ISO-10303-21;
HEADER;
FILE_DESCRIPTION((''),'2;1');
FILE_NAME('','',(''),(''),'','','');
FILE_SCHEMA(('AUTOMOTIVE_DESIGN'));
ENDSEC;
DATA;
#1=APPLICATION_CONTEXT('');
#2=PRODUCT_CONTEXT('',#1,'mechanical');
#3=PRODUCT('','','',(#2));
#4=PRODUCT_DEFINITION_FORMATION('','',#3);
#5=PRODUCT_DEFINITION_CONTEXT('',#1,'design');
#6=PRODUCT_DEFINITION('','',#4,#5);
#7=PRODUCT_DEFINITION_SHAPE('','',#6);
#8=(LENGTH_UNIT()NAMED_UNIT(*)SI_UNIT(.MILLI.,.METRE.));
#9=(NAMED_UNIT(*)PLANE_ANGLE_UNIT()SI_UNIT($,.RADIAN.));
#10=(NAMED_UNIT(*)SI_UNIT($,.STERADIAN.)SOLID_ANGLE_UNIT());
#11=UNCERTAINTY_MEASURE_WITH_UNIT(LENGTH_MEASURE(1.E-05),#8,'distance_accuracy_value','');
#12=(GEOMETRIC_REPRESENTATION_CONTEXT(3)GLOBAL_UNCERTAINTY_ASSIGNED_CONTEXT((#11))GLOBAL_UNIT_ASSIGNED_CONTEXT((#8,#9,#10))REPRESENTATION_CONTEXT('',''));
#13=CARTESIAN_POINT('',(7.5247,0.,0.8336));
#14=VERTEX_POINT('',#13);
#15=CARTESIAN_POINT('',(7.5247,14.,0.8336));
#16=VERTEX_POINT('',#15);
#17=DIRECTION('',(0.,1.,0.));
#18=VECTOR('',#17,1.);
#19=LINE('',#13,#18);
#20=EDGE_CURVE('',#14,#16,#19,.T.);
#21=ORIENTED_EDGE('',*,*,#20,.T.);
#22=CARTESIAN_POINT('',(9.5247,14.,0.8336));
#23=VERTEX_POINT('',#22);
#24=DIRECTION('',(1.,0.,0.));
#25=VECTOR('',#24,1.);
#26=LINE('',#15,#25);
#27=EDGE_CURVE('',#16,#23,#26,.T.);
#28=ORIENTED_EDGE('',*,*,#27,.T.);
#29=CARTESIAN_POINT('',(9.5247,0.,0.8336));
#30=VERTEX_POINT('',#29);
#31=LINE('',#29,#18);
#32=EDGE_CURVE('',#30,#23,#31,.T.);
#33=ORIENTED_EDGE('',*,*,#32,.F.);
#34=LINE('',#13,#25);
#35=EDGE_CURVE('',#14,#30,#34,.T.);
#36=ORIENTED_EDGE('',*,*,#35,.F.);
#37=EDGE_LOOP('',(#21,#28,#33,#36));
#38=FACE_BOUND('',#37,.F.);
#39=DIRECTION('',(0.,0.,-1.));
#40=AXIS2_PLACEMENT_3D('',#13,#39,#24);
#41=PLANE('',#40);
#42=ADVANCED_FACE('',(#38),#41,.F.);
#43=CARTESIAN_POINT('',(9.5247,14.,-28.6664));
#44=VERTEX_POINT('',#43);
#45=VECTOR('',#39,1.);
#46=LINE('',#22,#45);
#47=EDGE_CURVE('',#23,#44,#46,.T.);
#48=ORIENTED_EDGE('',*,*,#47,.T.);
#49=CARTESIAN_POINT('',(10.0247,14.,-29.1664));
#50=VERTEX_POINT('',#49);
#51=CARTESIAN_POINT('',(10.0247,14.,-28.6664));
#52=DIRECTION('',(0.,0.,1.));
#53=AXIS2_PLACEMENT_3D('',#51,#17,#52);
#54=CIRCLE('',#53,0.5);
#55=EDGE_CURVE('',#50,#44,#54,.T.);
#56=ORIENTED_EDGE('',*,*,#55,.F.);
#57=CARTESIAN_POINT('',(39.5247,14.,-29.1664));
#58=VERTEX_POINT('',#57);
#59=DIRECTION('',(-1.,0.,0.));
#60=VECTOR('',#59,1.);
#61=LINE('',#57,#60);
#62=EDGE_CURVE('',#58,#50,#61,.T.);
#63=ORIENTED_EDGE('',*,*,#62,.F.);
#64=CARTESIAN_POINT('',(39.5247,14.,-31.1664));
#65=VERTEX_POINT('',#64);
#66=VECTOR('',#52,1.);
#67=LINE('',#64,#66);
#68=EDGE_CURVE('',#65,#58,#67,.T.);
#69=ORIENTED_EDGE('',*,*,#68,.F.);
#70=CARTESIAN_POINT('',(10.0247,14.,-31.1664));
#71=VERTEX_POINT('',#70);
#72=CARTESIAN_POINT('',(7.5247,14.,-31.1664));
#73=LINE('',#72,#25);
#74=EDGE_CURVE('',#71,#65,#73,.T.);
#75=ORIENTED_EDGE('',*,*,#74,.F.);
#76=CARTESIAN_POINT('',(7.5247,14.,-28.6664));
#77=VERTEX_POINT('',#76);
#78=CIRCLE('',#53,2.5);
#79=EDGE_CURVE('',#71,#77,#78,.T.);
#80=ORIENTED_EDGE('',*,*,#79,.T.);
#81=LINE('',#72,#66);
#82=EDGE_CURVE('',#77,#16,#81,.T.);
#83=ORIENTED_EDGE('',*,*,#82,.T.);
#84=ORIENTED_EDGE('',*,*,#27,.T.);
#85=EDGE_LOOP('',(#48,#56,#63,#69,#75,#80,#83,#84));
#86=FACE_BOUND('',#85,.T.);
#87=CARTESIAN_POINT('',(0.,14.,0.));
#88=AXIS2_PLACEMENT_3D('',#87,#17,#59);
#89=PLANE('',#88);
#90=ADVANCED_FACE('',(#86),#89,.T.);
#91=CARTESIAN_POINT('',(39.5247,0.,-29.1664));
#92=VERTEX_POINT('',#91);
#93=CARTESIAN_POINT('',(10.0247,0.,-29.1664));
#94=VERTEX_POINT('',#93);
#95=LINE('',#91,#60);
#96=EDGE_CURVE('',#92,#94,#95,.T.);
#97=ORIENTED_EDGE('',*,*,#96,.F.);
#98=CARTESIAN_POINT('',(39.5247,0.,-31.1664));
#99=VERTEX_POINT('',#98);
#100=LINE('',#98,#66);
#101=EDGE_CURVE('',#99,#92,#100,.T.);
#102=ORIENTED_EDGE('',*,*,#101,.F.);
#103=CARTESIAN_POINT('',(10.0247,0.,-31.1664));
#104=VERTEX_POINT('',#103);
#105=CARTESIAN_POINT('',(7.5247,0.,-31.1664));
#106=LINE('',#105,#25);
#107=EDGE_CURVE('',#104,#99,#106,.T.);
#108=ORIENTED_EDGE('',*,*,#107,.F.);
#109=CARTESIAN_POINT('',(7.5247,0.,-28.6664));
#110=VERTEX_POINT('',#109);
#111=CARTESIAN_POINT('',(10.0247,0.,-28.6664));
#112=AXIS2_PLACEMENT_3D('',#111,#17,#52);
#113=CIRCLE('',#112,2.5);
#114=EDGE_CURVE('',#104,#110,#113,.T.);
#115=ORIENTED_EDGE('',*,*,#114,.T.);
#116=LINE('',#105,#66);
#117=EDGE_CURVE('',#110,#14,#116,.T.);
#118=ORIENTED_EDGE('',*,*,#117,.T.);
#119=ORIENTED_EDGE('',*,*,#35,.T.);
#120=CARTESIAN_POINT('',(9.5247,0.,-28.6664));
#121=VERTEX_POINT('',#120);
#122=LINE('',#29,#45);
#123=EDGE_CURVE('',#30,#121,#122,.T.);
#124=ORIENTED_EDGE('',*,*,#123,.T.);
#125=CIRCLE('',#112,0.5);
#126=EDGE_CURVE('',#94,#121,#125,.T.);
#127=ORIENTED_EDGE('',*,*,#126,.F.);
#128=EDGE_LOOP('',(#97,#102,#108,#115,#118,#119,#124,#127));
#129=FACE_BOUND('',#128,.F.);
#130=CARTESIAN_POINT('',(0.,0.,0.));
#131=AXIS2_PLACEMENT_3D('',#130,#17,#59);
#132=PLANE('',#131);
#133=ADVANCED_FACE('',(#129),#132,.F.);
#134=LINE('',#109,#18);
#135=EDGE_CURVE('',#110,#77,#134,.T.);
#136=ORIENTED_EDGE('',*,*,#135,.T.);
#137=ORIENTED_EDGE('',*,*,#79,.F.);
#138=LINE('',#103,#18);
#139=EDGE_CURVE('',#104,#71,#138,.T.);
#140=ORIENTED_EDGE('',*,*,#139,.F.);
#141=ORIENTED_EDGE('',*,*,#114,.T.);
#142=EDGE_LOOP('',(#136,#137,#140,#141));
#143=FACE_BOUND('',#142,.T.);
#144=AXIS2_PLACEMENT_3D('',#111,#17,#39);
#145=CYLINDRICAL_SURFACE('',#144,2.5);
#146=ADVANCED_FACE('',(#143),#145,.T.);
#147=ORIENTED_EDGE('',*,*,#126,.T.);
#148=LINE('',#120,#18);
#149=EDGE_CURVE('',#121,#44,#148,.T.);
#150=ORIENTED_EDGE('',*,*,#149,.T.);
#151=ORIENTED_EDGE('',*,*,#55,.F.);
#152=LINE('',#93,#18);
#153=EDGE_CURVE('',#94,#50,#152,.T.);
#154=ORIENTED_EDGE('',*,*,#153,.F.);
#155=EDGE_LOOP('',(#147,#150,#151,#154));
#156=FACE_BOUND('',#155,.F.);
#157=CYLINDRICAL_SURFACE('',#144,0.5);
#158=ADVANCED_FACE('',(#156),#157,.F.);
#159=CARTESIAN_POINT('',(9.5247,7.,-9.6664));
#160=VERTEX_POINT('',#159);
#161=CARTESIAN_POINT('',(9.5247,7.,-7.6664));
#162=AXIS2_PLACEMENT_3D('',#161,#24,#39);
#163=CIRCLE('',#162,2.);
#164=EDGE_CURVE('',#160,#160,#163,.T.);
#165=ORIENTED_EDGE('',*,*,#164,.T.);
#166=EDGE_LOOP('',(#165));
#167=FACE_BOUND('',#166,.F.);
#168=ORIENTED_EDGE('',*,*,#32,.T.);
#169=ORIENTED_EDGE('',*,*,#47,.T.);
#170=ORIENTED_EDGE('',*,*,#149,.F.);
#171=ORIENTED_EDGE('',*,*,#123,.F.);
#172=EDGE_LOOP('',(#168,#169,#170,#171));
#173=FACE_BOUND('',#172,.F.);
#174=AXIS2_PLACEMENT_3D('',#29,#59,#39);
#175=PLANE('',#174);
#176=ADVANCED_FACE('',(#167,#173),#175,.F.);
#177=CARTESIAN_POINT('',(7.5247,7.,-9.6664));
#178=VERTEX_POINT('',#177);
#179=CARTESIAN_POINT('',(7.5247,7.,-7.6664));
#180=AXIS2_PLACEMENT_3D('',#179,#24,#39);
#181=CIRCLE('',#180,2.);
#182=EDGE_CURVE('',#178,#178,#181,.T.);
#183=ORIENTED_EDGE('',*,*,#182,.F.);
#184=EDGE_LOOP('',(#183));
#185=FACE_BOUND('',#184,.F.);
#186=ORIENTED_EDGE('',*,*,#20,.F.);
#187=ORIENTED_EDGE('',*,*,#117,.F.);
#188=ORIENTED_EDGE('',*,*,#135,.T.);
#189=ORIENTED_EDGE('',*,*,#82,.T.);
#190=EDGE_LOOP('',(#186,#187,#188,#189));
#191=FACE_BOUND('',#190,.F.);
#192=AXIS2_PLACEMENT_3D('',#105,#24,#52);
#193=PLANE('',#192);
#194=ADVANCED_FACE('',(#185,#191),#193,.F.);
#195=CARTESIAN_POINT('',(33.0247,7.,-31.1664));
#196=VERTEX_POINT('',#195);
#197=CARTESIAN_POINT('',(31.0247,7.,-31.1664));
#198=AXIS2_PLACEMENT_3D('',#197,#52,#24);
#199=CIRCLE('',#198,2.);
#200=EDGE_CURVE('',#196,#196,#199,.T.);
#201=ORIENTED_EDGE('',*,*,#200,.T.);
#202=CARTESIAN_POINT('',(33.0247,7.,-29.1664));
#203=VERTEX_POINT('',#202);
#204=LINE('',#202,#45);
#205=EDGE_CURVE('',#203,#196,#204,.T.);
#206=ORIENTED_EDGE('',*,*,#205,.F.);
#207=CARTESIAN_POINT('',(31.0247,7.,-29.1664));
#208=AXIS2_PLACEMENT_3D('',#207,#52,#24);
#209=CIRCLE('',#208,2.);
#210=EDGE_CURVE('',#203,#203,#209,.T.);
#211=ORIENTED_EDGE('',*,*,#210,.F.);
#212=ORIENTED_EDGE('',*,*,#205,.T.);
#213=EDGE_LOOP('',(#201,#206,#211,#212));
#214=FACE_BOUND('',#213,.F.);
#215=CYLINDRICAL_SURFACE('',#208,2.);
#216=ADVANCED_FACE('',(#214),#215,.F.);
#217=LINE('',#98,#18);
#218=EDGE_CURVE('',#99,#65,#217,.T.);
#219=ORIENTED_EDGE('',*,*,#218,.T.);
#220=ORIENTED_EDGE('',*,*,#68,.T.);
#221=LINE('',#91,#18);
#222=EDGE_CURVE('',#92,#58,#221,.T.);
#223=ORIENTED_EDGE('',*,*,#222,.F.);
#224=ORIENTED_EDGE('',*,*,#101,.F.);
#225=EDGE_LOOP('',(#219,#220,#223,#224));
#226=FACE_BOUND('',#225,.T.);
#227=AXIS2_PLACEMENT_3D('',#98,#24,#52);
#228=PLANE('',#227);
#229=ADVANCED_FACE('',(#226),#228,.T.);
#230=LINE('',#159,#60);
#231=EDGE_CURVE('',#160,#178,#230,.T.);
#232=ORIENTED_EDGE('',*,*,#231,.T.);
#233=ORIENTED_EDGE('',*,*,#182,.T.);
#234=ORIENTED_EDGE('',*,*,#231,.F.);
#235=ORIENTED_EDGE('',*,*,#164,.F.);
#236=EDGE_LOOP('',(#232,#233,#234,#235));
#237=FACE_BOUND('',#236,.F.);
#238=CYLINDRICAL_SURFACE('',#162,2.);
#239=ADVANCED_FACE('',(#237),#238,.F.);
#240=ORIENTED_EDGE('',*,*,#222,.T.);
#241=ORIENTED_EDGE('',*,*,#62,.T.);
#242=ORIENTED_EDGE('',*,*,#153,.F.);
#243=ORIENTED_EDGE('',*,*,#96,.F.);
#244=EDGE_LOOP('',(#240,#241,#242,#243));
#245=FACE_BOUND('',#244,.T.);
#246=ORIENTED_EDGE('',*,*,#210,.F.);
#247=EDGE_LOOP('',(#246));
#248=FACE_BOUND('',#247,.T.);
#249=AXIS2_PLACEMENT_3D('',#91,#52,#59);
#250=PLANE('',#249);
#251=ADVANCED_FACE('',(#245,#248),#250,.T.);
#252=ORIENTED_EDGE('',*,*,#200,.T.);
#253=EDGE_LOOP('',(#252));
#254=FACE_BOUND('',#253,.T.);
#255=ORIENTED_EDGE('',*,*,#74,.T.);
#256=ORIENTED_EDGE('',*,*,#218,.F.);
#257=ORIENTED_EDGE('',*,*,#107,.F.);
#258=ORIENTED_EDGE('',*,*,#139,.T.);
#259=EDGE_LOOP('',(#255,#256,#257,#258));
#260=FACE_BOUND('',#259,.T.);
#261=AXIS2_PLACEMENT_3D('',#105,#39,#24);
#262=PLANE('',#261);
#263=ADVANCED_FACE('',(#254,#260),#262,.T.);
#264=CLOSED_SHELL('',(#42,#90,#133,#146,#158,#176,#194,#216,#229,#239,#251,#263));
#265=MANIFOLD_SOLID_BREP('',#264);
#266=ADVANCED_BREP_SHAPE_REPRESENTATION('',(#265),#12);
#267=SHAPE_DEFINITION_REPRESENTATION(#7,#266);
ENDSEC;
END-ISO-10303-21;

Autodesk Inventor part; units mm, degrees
ref_plane "YZ Plane" through (0, 0, 0) normal (1, 0, 0) x (0, 1, 0)
ref_plane "XZ Plane" through (0, 0, 0) normal (0, 1, 0) x (-1, 0, 0)
ref_plane "XY Plane" through (0, 0, 0) normal (0, 0, 1) x (1, 0, 0)
sketch "Boceto1" plane through (0, 0, 0) normal (0, 1, 0) x (-1, 0, 0)
  line L0 (-7.5247, -31.1664) -> (-7.5247, 0.8336)
  line L1 (-7.5247, 0.8336) -> (-9.5247, 0.8336)
  line L2 (-9.5247, 0.8336) -> (-9.5247, -29.1664)
  line L3 (-7.5247, -31.1664) -> (-39.5247, -31.1664)
  line L4 (-39.5247, -31.1664) -> (-39.5247, -29.1664)
  line L5 (-39.5247, -29.1664) -> (-9.5247, -29.1664)
  dimension "d46" = 32
  dimension "d47" = 2
  dimension "d48" = 30
  dimension "d49" = 32
extrude "Extrusion9" add sketch "Boceto1" along normal blind 14
fillet "Fillet1" radius 0.5 1 edges at (9.5247, 7, -29.1664)
fillet "Fillet2" radius 2.5 1 edges at (7.5247, 7, -31.1664)
sketch "Sketch6" plane through (9.5247, 0, 0.8336) normal (1, 0, 0) x (0, 0, -1)
  circle A0 centre (8.5, 7) radius 2
  line L0 (30, 0) -> (30, 14) projected
  line L1 (0, 0) -> (29.5, 0) projected
  dimension "d54" = 4
  dimension "d55" = 21.5
  dimension "d56" = 7
sketch "Sketch7" plane through (39.5247, 0, -29.1664) normal (0, 0, 1) x (1, 0, 0)
  circle A0 centre (-8.5, 7) radius 2
  line L0 (-29.5, 0) -> (0, 0) projected
  line L1 (-30, 14) -> (-30, 0) projected
  dimension "d57" = 4
  dimension "d58" = 7
  dimension "d59" = 21.5
extrude "Extrusion10" cut sketch "Sketch6" against normal blind 10
extrude "Extrusion11" cut sketch "Sketch7" against normal blind 10
properties part number "Esquina de bandeja" material "Aluminum 1100-H14"
